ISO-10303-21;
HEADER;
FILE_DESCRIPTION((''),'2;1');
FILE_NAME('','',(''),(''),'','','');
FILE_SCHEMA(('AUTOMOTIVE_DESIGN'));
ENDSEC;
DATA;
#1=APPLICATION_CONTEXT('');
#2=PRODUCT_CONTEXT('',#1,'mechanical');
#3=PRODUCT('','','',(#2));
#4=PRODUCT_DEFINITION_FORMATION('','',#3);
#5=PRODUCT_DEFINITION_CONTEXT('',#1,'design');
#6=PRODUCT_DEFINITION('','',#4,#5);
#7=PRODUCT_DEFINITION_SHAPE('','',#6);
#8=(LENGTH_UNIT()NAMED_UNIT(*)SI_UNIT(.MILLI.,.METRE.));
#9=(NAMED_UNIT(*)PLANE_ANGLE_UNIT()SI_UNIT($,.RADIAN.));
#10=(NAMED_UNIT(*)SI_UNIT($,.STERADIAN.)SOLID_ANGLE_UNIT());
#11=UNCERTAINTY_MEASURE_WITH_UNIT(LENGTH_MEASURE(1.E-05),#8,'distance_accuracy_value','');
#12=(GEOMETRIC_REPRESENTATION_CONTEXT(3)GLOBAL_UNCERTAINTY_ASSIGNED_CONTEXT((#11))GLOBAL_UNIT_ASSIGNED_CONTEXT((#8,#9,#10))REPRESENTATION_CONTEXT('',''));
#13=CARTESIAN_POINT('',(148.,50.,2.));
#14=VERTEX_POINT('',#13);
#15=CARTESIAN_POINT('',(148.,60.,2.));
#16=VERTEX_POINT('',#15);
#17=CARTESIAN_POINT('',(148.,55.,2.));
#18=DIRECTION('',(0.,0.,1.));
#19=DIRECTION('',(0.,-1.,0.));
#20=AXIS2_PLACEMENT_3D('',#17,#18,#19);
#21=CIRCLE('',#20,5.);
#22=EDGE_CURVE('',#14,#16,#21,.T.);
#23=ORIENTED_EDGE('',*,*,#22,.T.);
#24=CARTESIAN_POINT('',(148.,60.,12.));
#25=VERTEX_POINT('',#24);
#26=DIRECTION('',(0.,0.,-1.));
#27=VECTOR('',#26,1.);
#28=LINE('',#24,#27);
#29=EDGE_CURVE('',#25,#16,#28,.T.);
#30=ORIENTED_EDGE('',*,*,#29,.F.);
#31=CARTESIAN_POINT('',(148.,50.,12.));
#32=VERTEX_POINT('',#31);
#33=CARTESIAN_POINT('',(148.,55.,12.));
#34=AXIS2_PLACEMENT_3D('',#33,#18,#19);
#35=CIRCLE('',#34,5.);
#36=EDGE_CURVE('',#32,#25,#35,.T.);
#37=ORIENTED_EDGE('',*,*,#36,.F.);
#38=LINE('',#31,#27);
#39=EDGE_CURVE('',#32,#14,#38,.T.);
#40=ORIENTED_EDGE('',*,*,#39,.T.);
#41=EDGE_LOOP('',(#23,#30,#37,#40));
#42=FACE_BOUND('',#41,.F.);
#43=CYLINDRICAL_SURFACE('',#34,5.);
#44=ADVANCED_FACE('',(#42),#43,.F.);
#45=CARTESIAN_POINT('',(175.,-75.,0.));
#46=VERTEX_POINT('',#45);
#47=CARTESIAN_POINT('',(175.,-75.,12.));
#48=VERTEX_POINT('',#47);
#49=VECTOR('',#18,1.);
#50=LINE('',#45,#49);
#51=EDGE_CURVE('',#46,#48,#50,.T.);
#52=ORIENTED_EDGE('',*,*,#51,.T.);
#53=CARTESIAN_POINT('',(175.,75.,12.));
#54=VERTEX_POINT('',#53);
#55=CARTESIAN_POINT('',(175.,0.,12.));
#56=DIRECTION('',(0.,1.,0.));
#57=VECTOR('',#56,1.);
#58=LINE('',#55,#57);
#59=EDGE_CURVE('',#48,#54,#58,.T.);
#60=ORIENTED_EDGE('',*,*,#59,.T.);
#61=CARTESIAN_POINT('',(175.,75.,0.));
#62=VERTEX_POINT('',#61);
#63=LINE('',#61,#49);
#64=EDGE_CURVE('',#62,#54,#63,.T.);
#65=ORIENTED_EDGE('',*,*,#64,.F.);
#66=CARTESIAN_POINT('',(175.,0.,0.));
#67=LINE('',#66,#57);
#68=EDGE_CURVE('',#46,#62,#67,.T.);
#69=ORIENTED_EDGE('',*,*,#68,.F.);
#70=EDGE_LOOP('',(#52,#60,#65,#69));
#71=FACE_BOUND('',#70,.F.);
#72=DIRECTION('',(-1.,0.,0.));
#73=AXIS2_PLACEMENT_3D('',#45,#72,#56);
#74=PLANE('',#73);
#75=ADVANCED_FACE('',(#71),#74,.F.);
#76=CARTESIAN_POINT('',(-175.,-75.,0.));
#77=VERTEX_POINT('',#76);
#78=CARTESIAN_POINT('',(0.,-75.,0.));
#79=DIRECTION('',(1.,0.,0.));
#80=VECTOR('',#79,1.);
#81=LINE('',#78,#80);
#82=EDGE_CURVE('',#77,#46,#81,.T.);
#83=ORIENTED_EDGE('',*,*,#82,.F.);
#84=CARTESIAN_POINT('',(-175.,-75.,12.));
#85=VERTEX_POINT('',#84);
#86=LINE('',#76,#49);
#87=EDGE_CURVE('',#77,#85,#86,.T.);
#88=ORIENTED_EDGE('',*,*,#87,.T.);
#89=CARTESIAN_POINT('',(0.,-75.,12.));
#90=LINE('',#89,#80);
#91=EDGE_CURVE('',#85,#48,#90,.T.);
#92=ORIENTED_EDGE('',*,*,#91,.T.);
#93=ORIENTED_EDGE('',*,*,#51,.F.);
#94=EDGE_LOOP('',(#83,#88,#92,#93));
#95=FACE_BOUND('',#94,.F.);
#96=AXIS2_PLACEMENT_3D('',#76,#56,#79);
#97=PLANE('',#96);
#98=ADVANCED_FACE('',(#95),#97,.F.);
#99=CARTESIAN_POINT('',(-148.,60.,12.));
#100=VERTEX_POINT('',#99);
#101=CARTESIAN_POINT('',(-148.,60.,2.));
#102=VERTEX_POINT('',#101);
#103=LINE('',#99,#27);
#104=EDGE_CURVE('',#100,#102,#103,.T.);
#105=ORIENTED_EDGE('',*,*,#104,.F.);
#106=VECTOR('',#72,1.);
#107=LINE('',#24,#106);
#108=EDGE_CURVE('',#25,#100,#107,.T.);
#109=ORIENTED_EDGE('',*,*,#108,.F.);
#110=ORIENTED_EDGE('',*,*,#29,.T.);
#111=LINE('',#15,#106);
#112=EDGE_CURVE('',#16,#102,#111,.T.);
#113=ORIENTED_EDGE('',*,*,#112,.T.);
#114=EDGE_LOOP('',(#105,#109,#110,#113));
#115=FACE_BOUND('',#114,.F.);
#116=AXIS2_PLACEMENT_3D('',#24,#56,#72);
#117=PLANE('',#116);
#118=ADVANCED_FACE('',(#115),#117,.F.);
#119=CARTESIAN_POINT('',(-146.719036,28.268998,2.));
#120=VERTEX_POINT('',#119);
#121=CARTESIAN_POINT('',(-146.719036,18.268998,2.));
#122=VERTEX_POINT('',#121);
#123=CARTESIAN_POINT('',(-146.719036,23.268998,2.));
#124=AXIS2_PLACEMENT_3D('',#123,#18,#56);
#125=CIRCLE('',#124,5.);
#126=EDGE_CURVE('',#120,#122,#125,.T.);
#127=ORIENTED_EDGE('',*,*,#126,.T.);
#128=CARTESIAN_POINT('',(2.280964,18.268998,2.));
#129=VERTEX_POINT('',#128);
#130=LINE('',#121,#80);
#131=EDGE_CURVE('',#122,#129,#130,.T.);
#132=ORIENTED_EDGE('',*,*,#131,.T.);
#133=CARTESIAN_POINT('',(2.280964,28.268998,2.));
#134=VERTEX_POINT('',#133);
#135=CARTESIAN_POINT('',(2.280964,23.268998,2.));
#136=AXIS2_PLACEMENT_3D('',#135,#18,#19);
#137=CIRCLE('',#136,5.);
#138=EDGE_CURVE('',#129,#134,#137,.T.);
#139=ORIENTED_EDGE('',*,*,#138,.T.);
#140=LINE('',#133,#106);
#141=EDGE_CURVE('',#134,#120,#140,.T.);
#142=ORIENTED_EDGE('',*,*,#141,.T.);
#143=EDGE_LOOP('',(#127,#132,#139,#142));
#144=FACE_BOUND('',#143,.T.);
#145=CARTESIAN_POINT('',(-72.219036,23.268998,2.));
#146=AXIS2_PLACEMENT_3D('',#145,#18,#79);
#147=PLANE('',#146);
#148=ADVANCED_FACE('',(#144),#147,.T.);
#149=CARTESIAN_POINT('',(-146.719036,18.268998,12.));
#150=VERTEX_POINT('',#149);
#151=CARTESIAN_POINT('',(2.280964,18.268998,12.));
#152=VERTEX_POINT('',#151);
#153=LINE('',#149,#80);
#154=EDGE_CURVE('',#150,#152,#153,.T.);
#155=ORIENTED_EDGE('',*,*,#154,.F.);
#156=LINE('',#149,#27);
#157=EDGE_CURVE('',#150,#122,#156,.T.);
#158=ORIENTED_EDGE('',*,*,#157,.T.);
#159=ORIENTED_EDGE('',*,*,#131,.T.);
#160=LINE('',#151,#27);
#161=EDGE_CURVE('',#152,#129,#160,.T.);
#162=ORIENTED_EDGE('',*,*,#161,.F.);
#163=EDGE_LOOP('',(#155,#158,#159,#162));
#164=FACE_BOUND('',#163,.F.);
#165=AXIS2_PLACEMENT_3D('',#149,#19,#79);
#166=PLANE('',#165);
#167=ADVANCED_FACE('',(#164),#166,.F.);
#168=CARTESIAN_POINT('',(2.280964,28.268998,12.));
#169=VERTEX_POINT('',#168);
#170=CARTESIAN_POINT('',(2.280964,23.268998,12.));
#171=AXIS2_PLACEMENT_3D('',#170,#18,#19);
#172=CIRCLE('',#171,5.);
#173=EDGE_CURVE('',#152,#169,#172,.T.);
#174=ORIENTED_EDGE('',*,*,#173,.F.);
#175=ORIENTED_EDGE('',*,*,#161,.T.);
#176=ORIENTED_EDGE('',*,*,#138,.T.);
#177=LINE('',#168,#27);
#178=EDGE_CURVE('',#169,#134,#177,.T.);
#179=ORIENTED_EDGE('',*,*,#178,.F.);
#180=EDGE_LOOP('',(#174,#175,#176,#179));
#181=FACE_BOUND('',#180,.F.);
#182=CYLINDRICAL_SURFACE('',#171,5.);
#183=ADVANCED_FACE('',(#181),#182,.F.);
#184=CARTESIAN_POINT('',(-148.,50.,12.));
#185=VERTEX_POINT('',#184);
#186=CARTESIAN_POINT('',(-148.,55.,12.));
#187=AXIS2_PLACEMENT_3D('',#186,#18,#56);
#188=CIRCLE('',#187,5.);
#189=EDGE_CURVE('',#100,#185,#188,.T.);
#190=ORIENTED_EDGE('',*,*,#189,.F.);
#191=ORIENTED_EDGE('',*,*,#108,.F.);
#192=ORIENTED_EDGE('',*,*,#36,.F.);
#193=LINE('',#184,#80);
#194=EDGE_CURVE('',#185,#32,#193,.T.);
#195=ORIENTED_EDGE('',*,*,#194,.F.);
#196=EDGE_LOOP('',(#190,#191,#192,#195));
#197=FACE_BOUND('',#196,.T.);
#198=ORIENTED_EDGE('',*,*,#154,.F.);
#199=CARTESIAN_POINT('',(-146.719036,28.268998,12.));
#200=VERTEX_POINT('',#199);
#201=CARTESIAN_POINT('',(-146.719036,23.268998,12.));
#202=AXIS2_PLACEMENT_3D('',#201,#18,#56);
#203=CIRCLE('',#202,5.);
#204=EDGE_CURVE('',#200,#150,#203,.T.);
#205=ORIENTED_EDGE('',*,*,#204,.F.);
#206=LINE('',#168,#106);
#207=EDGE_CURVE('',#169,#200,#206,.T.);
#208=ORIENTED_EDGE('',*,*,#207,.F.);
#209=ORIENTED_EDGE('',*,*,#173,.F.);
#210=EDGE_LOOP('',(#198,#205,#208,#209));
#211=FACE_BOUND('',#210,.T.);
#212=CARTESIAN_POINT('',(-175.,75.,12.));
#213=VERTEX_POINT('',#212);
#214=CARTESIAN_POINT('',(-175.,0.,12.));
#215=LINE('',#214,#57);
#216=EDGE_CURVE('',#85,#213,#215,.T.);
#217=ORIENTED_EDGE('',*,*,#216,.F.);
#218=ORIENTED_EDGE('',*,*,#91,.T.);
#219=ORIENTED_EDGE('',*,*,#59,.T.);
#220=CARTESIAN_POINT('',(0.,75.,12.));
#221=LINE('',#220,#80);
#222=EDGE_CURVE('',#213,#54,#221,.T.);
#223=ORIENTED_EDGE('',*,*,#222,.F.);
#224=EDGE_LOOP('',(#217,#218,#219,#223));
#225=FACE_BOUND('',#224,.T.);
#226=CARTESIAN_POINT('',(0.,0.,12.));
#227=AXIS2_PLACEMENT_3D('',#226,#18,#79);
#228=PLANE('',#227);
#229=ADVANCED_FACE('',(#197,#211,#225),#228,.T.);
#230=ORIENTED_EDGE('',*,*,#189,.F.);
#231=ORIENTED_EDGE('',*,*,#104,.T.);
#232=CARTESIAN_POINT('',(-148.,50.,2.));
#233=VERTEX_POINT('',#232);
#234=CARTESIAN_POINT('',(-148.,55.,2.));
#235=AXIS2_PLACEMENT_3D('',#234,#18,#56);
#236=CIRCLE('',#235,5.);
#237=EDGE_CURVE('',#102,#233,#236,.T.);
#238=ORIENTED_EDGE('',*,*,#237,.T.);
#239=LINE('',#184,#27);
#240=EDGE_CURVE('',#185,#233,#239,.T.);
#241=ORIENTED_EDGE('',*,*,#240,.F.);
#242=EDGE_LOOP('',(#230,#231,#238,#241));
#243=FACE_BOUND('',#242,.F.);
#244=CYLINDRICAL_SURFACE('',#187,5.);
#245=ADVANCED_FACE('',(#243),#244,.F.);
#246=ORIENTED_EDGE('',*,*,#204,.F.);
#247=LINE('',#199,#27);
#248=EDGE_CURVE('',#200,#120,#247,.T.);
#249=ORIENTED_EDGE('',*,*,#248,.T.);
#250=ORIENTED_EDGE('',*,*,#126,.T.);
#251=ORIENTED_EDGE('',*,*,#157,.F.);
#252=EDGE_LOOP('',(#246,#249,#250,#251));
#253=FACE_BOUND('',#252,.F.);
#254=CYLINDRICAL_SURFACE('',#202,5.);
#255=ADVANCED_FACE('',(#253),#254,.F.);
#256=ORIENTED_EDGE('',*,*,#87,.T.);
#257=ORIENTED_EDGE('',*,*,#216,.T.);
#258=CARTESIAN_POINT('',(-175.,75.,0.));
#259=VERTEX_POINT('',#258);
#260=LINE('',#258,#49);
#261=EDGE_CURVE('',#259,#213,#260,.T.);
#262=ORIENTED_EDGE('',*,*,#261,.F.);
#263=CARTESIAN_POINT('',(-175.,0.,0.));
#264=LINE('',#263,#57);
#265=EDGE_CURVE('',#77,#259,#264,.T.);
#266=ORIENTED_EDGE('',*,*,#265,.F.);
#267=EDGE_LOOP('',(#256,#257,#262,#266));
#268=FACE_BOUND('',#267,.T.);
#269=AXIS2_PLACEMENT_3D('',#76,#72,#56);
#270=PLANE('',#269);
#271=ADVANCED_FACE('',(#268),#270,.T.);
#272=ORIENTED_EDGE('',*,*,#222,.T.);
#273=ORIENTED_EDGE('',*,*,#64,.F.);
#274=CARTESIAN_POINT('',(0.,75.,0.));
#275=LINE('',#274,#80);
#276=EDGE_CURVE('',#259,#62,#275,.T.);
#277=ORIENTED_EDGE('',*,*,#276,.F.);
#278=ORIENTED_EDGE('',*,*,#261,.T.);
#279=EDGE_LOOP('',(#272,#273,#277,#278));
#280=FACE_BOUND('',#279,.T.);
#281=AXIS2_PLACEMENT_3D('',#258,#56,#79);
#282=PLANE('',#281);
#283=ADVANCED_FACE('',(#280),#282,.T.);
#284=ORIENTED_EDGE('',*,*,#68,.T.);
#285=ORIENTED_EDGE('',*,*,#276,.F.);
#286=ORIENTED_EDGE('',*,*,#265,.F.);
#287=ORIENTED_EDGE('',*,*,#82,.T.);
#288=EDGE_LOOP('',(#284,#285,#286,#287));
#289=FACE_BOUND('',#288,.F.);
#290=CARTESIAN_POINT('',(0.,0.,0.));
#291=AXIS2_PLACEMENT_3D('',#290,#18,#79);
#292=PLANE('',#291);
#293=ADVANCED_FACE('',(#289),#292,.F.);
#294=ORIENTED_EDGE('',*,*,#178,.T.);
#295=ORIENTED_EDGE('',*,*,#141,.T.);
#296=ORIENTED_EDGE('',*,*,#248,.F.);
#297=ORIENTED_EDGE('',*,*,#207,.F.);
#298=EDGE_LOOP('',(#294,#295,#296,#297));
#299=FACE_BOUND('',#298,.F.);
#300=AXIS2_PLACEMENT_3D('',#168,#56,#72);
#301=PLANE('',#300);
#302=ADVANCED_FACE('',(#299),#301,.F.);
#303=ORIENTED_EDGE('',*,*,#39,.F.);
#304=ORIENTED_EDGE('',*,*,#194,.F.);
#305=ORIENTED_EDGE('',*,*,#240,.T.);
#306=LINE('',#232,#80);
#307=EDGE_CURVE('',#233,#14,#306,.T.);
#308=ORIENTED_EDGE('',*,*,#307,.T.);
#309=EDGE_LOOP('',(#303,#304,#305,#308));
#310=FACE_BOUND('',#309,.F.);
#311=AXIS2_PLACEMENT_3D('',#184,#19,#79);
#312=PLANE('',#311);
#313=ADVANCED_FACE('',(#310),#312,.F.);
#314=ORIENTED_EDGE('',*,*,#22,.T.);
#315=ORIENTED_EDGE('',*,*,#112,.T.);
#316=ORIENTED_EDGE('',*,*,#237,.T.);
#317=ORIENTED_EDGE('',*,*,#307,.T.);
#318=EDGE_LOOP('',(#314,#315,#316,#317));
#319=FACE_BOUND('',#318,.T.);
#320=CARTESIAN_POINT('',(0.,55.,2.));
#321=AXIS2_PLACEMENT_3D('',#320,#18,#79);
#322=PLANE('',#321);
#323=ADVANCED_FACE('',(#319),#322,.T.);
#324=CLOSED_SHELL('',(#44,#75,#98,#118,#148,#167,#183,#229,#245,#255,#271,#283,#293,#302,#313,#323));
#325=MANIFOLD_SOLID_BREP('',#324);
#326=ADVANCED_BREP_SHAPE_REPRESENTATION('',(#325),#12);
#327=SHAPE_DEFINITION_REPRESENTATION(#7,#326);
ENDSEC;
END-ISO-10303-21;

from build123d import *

# Parameters (mm, degrees)
F0_W     = 350
F0_H     = 150
F1_DEPTH = 12
F3_DEPTH = 10


with BuildPart() as f1:
    # F0 (on Top) → F1 (new body)
    with BuildSketch(Plane.XY):
        Rectangle(F0_W, F0_H)
    extrude(amount=F1_DEPTH)

    # F2 (on face) → F3 (cut)
    with BuildSketch(Plane.XY.offset(12)):
        with BuildLine():
            Line((148, 60), (-148, 60))
            ThreePointArc((-148, 60), (-153, 55), (-148, 50))
            Line((-148, 50), (148, 50))
            ThreePointArc((148, 50), (153, 55), (148, 60))
        make_face()
        with BuildLine():
            ThreePointArc((2.280964, 18.268998), (7.280964, 23.268998), (2.280964, 28.268998))
            Line((2.280964, 28.268998), (-146.719036, 28.268998))
            ThreePointArc((-146.719036, 28.268998), (-151.719036, 23.268998), (-146.719036, 18.268998))
            Line((-146.719036, 18.268998), (2.280964, 18.268998))
        make_face()
    extrude(amount=-F3_DEPTH, mode=Mode.SUBTRACT)


solid = f1.part
